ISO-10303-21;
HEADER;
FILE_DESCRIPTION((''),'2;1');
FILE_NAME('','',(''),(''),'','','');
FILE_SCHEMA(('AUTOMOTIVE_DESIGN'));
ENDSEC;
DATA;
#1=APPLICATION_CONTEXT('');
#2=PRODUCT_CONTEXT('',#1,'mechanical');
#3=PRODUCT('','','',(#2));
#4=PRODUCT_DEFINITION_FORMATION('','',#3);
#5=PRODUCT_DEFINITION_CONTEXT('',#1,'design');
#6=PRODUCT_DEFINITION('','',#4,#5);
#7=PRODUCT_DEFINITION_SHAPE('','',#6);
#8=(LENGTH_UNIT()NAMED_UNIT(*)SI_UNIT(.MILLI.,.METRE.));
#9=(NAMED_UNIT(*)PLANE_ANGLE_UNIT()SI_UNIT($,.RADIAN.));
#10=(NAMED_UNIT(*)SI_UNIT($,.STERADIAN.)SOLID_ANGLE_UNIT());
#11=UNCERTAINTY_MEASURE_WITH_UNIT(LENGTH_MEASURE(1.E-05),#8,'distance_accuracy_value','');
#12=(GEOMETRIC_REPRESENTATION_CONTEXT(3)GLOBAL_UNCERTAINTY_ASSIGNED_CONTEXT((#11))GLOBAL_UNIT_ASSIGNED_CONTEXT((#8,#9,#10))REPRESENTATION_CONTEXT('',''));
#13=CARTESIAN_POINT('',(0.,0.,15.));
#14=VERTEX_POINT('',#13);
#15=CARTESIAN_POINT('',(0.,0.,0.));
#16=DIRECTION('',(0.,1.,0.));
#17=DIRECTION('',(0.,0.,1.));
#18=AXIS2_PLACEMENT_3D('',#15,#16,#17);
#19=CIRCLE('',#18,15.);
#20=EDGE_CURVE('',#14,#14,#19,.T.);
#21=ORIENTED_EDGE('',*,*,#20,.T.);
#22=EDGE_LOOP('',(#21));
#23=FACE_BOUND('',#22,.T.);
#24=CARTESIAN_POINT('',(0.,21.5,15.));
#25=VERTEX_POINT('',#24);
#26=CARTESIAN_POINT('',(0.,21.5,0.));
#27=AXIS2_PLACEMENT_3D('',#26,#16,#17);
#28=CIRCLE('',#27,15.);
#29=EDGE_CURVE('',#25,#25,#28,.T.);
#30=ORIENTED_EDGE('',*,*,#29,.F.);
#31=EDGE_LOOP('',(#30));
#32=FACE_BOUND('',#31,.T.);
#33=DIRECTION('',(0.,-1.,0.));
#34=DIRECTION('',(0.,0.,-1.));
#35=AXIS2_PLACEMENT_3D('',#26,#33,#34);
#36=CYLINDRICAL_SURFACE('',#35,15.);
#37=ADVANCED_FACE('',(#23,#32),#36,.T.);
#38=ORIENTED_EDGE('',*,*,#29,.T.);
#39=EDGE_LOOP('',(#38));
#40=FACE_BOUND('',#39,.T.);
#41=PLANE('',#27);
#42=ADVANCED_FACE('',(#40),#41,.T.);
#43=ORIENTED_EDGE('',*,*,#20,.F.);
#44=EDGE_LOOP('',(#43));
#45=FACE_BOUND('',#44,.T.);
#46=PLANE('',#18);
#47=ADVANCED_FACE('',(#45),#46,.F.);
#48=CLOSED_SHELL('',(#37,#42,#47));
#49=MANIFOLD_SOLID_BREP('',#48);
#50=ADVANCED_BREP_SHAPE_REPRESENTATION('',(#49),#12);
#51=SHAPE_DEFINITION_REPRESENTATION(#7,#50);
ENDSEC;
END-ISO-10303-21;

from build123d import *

# Parameters (mm, degrees)
SKETCH1_R           = 15
BOSS_EXTRUDE1_DEPTH = 21.5


with BuildPart() as part:
    # Sketch1 → Boss-Extrude1 (new body)
    with BuildSketch(Plane(origin=(0, 0, 0), x_dir=(1, 0, 0), z_dir=(0, 1, 0))):
        Circle(SKETCH1_R)
    extrude(amount=BOSS_EXTRUDE1_DEPTH)


solid = part.part
